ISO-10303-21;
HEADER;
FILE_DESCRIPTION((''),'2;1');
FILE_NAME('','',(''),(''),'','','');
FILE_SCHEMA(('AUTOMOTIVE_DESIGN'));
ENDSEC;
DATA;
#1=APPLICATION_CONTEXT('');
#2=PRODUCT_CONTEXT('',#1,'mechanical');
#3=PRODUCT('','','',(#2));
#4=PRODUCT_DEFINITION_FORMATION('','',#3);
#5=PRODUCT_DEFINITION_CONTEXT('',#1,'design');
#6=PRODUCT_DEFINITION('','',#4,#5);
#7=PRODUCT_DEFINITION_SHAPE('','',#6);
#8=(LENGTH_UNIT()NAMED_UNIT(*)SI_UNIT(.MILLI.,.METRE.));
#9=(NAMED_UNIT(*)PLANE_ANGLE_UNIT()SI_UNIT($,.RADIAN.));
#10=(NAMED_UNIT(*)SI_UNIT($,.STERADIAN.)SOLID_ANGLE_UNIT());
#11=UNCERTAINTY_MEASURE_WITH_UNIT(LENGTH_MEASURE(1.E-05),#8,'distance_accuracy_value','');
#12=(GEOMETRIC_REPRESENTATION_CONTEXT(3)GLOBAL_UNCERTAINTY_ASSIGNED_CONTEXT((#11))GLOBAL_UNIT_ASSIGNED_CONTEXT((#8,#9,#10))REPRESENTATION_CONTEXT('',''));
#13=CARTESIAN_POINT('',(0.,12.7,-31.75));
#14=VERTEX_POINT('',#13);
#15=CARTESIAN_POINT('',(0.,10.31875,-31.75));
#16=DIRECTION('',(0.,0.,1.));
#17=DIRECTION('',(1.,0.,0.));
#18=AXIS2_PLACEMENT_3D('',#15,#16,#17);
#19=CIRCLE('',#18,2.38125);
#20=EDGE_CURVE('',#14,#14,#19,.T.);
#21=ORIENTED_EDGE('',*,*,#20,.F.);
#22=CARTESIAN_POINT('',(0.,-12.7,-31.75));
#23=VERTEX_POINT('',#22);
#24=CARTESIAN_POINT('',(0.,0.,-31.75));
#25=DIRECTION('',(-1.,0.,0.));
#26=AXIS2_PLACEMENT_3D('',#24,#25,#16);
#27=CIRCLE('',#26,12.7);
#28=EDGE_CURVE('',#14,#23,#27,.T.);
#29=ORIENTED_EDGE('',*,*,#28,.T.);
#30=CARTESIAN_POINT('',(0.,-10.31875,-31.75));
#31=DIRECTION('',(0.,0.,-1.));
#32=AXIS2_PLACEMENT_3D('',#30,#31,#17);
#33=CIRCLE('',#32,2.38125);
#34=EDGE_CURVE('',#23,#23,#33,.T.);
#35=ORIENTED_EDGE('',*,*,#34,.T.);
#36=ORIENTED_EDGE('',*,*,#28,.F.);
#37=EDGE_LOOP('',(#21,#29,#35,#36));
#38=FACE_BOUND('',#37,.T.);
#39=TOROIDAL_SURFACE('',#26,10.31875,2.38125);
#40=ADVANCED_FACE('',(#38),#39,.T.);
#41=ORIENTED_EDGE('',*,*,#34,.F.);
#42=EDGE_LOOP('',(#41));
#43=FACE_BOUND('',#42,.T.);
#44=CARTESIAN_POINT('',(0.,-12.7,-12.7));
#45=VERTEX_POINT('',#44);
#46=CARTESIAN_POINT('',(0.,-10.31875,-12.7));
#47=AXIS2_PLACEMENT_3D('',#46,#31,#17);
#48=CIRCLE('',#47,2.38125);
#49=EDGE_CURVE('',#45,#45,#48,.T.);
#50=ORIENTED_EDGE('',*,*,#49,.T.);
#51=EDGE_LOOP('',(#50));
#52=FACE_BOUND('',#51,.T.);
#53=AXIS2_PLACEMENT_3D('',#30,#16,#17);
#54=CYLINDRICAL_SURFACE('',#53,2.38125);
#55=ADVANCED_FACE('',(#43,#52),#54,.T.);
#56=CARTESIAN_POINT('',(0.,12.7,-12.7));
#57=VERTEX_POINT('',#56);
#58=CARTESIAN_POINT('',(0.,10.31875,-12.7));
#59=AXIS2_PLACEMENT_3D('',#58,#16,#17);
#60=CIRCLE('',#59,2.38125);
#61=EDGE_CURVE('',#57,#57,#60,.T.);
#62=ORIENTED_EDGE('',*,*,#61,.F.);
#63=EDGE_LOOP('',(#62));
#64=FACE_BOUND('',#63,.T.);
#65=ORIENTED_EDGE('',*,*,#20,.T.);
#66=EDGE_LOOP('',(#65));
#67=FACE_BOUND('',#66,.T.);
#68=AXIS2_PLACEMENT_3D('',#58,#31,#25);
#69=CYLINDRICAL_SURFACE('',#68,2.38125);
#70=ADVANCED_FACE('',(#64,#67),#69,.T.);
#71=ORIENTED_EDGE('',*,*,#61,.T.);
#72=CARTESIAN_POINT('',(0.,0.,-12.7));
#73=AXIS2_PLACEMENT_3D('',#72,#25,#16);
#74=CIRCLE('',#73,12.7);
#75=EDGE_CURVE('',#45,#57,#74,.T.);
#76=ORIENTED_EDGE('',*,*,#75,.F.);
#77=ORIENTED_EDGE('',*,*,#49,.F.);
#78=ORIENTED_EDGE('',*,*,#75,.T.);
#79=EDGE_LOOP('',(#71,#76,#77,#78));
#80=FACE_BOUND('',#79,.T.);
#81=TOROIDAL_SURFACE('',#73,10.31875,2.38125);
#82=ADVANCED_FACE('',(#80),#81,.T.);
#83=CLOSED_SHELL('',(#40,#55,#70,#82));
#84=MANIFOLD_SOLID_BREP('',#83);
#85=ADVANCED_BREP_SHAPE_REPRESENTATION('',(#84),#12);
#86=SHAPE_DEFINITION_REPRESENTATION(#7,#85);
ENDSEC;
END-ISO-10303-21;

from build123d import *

# Parameters (mm, degrees)
SWEEP1_PROFILE_R = 2.38125


with BuildPart() as part:
    # Sweep1: sweep along a path in Sketch1
    with BuildLine(Plane(origin=(0, 0, 0), x_dir=(0, 0, -1), z_dir=(1, 0, 0))) as sweep1_path:
        Line((31.75, -10.31875), (12.7, -10.31875))
        ThreePointArc((12.7, -10.31875), (2.38125, 0), (12.7, 10.31875))
        Line((12.7, 10.31875), (31.75, 10.31875))
        ThreePointArc((31.75, 10.31875), (42.06875, 0), (31.75, -10.31875))
    # Sweep1 profile (on start of the path) → Sweep1 (sweep)
    with BuildSketch(Plane(origin=(0, -10.31875, -31.75), x_dir=(1, 0, 0), z_dir=(0, 0, 1))):
        Circle(SWEEP1_PROFILE_R)
    sweep(path=sweep1_path.line)


solid = part.part
